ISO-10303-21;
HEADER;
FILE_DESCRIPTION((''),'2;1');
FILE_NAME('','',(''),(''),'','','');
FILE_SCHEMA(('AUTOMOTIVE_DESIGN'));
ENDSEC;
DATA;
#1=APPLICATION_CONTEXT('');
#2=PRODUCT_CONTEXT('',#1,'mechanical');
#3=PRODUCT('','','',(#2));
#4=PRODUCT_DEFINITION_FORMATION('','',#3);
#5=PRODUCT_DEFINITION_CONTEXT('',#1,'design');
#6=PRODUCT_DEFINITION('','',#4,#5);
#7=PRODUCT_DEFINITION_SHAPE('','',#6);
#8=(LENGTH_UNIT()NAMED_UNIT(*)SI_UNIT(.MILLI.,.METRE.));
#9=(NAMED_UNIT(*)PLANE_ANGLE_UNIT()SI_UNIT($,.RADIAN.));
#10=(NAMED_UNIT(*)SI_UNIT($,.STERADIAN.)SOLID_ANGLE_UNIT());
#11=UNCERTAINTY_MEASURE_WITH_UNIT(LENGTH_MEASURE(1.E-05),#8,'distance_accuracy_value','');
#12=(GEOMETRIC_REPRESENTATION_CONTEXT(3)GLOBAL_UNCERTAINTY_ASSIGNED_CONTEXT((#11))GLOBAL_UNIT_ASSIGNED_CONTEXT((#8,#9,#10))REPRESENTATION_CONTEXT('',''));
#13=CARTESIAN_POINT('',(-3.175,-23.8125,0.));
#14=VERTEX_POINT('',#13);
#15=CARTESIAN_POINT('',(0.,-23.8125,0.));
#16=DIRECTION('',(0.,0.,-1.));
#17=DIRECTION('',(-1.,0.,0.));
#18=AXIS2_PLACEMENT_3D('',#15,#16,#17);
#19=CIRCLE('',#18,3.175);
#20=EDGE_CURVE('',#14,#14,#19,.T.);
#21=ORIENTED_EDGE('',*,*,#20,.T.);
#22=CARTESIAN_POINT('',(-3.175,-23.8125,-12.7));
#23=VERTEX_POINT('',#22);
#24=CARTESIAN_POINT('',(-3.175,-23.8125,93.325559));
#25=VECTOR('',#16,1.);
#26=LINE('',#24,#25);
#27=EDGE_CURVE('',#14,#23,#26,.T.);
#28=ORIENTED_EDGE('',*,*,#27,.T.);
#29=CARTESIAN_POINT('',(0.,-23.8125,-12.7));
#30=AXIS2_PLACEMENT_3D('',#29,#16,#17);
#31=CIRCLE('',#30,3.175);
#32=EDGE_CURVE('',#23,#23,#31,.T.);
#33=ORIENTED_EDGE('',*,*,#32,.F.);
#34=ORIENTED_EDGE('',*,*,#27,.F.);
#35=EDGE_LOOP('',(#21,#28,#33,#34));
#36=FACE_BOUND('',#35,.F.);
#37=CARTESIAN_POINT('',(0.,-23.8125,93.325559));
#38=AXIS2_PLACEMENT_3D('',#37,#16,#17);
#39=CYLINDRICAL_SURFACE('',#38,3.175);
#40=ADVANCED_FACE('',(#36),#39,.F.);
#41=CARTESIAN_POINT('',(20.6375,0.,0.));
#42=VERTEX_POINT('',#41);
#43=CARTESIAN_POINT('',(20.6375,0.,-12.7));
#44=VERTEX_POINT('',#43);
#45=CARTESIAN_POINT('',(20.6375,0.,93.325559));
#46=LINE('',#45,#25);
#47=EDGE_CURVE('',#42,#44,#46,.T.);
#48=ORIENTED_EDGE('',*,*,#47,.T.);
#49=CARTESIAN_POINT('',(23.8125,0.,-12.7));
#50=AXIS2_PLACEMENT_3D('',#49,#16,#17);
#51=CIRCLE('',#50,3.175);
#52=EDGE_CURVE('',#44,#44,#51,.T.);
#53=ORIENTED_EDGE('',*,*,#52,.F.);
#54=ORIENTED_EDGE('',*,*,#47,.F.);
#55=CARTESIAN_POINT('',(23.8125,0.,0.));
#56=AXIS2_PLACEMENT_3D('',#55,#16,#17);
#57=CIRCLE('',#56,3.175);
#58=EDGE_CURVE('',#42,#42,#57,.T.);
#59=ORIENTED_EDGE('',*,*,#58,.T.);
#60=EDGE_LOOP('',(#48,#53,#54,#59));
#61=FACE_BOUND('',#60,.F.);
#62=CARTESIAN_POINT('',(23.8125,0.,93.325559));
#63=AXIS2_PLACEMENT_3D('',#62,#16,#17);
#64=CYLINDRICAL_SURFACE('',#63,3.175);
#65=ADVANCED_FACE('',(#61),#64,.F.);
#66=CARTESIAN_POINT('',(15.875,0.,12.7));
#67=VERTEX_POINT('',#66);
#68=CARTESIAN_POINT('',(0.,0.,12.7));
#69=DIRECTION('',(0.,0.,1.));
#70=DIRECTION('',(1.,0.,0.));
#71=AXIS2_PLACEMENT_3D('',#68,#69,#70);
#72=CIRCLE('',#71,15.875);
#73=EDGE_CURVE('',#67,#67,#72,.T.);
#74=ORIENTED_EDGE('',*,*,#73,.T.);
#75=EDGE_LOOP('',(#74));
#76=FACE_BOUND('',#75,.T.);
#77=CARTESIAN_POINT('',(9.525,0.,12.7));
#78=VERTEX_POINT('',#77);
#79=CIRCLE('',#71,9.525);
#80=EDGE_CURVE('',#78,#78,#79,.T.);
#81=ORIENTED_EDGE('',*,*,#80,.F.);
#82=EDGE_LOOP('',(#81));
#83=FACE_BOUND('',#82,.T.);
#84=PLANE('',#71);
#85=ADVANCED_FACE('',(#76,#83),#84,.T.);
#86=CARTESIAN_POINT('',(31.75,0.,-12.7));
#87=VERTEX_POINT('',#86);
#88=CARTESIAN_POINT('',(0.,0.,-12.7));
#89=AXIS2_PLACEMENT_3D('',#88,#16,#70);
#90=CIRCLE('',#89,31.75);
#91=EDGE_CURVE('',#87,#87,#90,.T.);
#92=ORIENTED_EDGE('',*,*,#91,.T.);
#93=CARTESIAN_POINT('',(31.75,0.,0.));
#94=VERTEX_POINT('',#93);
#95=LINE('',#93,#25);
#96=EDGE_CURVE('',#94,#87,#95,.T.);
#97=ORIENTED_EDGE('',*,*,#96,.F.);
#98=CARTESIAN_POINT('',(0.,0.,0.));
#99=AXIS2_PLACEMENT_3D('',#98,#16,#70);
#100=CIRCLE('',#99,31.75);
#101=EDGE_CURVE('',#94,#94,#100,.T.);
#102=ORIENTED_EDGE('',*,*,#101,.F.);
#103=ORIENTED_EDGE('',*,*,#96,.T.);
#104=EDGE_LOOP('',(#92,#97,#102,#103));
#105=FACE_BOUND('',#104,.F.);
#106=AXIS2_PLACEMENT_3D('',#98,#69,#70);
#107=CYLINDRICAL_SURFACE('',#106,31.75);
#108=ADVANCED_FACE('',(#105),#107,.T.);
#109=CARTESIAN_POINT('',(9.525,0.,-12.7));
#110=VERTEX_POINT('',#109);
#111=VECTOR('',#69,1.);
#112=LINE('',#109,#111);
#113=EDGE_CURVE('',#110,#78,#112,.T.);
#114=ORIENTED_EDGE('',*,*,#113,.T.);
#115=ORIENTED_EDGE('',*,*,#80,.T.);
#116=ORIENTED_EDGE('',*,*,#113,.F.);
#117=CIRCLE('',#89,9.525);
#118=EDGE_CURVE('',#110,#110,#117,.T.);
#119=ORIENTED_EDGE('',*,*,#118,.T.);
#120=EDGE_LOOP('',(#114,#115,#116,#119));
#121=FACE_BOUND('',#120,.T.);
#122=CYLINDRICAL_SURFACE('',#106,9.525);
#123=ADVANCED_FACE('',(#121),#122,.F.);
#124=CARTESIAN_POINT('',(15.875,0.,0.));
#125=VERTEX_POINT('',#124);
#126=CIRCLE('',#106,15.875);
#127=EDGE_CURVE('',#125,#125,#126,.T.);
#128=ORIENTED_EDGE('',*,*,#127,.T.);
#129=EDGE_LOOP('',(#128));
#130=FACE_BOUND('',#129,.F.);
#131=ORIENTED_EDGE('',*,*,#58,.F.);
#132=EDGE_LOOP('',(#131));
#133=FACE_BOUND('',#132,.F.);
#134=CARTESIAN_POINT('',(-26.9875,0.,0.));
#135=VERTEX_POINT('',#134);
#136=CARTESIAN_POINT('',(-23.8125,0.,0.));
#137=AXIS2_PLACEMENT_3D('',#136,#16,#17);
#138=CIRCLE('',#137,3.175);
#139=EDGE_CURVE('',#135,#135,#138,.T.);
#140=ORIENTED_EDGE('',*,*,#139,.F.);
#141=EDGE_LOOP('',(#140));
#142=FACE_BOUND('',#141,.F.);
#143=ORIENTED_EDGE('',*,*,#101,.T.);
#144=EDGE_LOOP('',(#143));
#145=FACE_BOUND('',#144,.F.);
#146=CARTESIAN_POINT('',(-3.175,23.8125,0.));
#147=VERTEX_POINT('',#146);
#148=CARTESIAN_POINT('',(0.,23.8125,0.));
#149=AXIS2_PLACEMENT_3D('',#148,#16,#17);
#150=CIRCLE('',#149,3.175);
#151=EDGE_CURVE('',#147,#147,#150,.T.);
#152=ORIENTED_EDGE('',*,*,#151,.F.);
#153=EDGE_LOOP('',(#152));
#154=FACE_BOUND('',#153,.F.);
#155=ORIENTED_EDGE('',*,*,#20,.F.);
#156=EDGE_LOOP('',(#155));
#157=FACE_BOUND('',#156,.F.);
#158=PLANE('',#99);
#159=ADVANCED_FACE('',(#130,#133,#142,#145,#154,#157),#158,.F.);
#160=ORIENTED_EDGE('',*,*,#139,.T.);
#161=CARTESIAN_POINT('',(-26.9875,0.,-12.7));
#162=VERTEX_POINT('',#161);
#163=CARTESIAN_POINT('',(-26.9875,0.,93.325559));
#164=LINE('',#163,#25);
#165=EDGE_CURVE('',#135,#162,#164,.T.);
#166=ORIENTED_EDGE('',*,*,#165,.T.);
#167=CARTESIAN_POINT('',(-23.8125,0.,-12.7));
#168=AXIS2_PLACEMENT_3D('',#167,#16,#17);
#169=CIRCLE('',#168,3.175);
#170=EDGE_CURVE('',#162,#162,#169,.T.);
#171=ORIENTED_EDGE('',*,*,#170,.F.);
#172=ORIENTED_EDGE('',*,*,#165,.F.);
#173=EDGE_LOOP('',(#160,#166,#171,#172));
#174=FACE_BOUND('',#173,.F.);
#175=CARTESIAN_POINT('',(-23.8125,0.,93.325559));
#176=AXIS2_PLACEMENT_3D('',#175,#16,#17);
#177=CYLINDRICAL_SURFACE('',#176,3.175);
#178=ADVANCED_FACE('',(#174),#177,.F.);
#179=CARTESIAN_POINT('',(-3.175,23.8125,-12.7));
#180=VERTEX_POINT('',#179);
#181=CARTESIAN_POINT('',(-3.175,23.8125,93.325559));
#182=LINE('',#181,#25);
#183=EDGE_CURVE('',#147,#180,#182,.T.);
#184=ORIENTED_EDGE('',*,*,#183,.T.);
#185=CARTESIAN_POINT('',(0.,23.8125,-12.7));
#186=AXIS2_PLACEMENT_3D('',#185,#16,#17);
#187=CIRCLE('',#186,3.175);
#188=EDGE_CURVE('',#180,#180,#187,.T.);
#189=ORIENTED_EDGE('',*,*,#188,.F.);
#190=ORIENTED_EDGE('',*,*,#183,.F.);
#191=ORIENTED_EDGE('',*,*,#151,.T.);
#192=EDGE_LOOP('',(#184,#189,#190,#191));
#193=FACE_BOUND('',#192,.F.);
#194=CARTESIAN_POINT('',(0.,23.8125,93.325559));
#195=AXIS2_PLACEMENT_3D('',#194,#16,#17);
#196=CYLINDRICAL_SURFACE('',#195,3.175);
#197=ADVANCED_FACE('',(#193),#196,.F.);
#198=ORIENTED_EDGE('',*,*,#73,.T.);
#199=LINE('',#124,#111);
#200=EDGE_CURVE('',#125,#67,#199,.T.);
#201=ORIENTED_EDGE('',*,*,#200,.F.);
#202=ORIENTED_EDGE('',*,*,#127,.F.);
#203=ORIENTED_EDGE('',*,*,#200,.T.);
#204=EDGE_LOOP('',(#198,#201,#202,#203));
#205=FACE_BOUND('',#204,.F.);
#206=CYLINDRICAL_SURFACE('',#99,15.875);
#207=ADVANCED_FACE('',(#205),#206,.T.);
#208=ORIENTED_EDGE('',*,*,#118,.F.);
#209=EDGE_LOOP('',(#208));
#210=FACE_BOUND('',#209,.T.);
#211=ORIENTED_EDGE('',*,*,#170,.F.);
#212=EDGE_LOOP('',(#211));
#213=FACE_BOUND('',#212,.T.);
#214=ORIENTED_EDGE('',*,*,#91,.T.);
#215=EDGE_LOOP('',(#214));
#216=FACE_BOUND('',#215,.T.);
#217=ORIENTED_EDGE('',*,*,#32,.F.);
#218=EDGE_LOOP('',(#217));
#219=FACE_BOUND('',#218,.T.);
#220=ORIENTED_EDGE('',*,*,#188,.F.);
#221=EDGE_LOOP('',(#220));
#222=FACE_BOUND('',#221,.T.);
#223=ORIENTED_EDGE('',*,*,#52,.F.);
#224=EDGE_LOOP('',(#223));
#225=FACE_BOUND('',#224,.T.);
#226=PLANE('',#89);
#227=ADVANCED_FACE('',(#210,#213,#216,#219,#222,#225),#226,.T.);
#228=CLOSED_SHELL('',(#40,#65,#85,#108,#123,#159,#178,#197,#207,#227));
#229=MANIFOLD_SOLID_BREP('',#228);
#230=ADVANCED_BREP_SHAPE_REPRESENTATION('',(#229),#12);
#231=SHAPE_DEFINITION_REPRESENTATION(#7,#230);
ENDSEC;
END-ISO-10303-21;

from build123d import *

# Parameters (mm, degrees)
F0_R     = 15.875
F0_R_2   = 9.525
F1_DEPTH = 12.7
F2_R     = 31.75
F2_R_2   = 9.525
F3_DEPTH = 12.7
F5_D     = 6.35


with BuildPart() as f1:
    # F0 (on Top) → F1 (new body)
    with BuildSketch(Plane.XY):
        Circle(F0_R)
        Circle(F0_R_2, mode=Mode.SUBTRACT)
    extrude(amount=F1_DEPTH)

    # F2 (on face) → F3 (join)
    with BuildSketch(Plane(origin=(0, 0, 0), x_dir=(1, 0, 0), z_dir=(0, 0, -1))):
        Circle(F2_R)
        Circle(F2_R_2, mode=Mode.SUBTRACT)
    extrude(amount=F3_DEPTH)

    # F5 (through all)
    with Locations(Plane.XY):
        with Locations((0, 23.8125), (23.8125, 0), (0, -23.8125), (-23.8125, 0)):
            Hole(F5_D / 2)


solid = f1.part
